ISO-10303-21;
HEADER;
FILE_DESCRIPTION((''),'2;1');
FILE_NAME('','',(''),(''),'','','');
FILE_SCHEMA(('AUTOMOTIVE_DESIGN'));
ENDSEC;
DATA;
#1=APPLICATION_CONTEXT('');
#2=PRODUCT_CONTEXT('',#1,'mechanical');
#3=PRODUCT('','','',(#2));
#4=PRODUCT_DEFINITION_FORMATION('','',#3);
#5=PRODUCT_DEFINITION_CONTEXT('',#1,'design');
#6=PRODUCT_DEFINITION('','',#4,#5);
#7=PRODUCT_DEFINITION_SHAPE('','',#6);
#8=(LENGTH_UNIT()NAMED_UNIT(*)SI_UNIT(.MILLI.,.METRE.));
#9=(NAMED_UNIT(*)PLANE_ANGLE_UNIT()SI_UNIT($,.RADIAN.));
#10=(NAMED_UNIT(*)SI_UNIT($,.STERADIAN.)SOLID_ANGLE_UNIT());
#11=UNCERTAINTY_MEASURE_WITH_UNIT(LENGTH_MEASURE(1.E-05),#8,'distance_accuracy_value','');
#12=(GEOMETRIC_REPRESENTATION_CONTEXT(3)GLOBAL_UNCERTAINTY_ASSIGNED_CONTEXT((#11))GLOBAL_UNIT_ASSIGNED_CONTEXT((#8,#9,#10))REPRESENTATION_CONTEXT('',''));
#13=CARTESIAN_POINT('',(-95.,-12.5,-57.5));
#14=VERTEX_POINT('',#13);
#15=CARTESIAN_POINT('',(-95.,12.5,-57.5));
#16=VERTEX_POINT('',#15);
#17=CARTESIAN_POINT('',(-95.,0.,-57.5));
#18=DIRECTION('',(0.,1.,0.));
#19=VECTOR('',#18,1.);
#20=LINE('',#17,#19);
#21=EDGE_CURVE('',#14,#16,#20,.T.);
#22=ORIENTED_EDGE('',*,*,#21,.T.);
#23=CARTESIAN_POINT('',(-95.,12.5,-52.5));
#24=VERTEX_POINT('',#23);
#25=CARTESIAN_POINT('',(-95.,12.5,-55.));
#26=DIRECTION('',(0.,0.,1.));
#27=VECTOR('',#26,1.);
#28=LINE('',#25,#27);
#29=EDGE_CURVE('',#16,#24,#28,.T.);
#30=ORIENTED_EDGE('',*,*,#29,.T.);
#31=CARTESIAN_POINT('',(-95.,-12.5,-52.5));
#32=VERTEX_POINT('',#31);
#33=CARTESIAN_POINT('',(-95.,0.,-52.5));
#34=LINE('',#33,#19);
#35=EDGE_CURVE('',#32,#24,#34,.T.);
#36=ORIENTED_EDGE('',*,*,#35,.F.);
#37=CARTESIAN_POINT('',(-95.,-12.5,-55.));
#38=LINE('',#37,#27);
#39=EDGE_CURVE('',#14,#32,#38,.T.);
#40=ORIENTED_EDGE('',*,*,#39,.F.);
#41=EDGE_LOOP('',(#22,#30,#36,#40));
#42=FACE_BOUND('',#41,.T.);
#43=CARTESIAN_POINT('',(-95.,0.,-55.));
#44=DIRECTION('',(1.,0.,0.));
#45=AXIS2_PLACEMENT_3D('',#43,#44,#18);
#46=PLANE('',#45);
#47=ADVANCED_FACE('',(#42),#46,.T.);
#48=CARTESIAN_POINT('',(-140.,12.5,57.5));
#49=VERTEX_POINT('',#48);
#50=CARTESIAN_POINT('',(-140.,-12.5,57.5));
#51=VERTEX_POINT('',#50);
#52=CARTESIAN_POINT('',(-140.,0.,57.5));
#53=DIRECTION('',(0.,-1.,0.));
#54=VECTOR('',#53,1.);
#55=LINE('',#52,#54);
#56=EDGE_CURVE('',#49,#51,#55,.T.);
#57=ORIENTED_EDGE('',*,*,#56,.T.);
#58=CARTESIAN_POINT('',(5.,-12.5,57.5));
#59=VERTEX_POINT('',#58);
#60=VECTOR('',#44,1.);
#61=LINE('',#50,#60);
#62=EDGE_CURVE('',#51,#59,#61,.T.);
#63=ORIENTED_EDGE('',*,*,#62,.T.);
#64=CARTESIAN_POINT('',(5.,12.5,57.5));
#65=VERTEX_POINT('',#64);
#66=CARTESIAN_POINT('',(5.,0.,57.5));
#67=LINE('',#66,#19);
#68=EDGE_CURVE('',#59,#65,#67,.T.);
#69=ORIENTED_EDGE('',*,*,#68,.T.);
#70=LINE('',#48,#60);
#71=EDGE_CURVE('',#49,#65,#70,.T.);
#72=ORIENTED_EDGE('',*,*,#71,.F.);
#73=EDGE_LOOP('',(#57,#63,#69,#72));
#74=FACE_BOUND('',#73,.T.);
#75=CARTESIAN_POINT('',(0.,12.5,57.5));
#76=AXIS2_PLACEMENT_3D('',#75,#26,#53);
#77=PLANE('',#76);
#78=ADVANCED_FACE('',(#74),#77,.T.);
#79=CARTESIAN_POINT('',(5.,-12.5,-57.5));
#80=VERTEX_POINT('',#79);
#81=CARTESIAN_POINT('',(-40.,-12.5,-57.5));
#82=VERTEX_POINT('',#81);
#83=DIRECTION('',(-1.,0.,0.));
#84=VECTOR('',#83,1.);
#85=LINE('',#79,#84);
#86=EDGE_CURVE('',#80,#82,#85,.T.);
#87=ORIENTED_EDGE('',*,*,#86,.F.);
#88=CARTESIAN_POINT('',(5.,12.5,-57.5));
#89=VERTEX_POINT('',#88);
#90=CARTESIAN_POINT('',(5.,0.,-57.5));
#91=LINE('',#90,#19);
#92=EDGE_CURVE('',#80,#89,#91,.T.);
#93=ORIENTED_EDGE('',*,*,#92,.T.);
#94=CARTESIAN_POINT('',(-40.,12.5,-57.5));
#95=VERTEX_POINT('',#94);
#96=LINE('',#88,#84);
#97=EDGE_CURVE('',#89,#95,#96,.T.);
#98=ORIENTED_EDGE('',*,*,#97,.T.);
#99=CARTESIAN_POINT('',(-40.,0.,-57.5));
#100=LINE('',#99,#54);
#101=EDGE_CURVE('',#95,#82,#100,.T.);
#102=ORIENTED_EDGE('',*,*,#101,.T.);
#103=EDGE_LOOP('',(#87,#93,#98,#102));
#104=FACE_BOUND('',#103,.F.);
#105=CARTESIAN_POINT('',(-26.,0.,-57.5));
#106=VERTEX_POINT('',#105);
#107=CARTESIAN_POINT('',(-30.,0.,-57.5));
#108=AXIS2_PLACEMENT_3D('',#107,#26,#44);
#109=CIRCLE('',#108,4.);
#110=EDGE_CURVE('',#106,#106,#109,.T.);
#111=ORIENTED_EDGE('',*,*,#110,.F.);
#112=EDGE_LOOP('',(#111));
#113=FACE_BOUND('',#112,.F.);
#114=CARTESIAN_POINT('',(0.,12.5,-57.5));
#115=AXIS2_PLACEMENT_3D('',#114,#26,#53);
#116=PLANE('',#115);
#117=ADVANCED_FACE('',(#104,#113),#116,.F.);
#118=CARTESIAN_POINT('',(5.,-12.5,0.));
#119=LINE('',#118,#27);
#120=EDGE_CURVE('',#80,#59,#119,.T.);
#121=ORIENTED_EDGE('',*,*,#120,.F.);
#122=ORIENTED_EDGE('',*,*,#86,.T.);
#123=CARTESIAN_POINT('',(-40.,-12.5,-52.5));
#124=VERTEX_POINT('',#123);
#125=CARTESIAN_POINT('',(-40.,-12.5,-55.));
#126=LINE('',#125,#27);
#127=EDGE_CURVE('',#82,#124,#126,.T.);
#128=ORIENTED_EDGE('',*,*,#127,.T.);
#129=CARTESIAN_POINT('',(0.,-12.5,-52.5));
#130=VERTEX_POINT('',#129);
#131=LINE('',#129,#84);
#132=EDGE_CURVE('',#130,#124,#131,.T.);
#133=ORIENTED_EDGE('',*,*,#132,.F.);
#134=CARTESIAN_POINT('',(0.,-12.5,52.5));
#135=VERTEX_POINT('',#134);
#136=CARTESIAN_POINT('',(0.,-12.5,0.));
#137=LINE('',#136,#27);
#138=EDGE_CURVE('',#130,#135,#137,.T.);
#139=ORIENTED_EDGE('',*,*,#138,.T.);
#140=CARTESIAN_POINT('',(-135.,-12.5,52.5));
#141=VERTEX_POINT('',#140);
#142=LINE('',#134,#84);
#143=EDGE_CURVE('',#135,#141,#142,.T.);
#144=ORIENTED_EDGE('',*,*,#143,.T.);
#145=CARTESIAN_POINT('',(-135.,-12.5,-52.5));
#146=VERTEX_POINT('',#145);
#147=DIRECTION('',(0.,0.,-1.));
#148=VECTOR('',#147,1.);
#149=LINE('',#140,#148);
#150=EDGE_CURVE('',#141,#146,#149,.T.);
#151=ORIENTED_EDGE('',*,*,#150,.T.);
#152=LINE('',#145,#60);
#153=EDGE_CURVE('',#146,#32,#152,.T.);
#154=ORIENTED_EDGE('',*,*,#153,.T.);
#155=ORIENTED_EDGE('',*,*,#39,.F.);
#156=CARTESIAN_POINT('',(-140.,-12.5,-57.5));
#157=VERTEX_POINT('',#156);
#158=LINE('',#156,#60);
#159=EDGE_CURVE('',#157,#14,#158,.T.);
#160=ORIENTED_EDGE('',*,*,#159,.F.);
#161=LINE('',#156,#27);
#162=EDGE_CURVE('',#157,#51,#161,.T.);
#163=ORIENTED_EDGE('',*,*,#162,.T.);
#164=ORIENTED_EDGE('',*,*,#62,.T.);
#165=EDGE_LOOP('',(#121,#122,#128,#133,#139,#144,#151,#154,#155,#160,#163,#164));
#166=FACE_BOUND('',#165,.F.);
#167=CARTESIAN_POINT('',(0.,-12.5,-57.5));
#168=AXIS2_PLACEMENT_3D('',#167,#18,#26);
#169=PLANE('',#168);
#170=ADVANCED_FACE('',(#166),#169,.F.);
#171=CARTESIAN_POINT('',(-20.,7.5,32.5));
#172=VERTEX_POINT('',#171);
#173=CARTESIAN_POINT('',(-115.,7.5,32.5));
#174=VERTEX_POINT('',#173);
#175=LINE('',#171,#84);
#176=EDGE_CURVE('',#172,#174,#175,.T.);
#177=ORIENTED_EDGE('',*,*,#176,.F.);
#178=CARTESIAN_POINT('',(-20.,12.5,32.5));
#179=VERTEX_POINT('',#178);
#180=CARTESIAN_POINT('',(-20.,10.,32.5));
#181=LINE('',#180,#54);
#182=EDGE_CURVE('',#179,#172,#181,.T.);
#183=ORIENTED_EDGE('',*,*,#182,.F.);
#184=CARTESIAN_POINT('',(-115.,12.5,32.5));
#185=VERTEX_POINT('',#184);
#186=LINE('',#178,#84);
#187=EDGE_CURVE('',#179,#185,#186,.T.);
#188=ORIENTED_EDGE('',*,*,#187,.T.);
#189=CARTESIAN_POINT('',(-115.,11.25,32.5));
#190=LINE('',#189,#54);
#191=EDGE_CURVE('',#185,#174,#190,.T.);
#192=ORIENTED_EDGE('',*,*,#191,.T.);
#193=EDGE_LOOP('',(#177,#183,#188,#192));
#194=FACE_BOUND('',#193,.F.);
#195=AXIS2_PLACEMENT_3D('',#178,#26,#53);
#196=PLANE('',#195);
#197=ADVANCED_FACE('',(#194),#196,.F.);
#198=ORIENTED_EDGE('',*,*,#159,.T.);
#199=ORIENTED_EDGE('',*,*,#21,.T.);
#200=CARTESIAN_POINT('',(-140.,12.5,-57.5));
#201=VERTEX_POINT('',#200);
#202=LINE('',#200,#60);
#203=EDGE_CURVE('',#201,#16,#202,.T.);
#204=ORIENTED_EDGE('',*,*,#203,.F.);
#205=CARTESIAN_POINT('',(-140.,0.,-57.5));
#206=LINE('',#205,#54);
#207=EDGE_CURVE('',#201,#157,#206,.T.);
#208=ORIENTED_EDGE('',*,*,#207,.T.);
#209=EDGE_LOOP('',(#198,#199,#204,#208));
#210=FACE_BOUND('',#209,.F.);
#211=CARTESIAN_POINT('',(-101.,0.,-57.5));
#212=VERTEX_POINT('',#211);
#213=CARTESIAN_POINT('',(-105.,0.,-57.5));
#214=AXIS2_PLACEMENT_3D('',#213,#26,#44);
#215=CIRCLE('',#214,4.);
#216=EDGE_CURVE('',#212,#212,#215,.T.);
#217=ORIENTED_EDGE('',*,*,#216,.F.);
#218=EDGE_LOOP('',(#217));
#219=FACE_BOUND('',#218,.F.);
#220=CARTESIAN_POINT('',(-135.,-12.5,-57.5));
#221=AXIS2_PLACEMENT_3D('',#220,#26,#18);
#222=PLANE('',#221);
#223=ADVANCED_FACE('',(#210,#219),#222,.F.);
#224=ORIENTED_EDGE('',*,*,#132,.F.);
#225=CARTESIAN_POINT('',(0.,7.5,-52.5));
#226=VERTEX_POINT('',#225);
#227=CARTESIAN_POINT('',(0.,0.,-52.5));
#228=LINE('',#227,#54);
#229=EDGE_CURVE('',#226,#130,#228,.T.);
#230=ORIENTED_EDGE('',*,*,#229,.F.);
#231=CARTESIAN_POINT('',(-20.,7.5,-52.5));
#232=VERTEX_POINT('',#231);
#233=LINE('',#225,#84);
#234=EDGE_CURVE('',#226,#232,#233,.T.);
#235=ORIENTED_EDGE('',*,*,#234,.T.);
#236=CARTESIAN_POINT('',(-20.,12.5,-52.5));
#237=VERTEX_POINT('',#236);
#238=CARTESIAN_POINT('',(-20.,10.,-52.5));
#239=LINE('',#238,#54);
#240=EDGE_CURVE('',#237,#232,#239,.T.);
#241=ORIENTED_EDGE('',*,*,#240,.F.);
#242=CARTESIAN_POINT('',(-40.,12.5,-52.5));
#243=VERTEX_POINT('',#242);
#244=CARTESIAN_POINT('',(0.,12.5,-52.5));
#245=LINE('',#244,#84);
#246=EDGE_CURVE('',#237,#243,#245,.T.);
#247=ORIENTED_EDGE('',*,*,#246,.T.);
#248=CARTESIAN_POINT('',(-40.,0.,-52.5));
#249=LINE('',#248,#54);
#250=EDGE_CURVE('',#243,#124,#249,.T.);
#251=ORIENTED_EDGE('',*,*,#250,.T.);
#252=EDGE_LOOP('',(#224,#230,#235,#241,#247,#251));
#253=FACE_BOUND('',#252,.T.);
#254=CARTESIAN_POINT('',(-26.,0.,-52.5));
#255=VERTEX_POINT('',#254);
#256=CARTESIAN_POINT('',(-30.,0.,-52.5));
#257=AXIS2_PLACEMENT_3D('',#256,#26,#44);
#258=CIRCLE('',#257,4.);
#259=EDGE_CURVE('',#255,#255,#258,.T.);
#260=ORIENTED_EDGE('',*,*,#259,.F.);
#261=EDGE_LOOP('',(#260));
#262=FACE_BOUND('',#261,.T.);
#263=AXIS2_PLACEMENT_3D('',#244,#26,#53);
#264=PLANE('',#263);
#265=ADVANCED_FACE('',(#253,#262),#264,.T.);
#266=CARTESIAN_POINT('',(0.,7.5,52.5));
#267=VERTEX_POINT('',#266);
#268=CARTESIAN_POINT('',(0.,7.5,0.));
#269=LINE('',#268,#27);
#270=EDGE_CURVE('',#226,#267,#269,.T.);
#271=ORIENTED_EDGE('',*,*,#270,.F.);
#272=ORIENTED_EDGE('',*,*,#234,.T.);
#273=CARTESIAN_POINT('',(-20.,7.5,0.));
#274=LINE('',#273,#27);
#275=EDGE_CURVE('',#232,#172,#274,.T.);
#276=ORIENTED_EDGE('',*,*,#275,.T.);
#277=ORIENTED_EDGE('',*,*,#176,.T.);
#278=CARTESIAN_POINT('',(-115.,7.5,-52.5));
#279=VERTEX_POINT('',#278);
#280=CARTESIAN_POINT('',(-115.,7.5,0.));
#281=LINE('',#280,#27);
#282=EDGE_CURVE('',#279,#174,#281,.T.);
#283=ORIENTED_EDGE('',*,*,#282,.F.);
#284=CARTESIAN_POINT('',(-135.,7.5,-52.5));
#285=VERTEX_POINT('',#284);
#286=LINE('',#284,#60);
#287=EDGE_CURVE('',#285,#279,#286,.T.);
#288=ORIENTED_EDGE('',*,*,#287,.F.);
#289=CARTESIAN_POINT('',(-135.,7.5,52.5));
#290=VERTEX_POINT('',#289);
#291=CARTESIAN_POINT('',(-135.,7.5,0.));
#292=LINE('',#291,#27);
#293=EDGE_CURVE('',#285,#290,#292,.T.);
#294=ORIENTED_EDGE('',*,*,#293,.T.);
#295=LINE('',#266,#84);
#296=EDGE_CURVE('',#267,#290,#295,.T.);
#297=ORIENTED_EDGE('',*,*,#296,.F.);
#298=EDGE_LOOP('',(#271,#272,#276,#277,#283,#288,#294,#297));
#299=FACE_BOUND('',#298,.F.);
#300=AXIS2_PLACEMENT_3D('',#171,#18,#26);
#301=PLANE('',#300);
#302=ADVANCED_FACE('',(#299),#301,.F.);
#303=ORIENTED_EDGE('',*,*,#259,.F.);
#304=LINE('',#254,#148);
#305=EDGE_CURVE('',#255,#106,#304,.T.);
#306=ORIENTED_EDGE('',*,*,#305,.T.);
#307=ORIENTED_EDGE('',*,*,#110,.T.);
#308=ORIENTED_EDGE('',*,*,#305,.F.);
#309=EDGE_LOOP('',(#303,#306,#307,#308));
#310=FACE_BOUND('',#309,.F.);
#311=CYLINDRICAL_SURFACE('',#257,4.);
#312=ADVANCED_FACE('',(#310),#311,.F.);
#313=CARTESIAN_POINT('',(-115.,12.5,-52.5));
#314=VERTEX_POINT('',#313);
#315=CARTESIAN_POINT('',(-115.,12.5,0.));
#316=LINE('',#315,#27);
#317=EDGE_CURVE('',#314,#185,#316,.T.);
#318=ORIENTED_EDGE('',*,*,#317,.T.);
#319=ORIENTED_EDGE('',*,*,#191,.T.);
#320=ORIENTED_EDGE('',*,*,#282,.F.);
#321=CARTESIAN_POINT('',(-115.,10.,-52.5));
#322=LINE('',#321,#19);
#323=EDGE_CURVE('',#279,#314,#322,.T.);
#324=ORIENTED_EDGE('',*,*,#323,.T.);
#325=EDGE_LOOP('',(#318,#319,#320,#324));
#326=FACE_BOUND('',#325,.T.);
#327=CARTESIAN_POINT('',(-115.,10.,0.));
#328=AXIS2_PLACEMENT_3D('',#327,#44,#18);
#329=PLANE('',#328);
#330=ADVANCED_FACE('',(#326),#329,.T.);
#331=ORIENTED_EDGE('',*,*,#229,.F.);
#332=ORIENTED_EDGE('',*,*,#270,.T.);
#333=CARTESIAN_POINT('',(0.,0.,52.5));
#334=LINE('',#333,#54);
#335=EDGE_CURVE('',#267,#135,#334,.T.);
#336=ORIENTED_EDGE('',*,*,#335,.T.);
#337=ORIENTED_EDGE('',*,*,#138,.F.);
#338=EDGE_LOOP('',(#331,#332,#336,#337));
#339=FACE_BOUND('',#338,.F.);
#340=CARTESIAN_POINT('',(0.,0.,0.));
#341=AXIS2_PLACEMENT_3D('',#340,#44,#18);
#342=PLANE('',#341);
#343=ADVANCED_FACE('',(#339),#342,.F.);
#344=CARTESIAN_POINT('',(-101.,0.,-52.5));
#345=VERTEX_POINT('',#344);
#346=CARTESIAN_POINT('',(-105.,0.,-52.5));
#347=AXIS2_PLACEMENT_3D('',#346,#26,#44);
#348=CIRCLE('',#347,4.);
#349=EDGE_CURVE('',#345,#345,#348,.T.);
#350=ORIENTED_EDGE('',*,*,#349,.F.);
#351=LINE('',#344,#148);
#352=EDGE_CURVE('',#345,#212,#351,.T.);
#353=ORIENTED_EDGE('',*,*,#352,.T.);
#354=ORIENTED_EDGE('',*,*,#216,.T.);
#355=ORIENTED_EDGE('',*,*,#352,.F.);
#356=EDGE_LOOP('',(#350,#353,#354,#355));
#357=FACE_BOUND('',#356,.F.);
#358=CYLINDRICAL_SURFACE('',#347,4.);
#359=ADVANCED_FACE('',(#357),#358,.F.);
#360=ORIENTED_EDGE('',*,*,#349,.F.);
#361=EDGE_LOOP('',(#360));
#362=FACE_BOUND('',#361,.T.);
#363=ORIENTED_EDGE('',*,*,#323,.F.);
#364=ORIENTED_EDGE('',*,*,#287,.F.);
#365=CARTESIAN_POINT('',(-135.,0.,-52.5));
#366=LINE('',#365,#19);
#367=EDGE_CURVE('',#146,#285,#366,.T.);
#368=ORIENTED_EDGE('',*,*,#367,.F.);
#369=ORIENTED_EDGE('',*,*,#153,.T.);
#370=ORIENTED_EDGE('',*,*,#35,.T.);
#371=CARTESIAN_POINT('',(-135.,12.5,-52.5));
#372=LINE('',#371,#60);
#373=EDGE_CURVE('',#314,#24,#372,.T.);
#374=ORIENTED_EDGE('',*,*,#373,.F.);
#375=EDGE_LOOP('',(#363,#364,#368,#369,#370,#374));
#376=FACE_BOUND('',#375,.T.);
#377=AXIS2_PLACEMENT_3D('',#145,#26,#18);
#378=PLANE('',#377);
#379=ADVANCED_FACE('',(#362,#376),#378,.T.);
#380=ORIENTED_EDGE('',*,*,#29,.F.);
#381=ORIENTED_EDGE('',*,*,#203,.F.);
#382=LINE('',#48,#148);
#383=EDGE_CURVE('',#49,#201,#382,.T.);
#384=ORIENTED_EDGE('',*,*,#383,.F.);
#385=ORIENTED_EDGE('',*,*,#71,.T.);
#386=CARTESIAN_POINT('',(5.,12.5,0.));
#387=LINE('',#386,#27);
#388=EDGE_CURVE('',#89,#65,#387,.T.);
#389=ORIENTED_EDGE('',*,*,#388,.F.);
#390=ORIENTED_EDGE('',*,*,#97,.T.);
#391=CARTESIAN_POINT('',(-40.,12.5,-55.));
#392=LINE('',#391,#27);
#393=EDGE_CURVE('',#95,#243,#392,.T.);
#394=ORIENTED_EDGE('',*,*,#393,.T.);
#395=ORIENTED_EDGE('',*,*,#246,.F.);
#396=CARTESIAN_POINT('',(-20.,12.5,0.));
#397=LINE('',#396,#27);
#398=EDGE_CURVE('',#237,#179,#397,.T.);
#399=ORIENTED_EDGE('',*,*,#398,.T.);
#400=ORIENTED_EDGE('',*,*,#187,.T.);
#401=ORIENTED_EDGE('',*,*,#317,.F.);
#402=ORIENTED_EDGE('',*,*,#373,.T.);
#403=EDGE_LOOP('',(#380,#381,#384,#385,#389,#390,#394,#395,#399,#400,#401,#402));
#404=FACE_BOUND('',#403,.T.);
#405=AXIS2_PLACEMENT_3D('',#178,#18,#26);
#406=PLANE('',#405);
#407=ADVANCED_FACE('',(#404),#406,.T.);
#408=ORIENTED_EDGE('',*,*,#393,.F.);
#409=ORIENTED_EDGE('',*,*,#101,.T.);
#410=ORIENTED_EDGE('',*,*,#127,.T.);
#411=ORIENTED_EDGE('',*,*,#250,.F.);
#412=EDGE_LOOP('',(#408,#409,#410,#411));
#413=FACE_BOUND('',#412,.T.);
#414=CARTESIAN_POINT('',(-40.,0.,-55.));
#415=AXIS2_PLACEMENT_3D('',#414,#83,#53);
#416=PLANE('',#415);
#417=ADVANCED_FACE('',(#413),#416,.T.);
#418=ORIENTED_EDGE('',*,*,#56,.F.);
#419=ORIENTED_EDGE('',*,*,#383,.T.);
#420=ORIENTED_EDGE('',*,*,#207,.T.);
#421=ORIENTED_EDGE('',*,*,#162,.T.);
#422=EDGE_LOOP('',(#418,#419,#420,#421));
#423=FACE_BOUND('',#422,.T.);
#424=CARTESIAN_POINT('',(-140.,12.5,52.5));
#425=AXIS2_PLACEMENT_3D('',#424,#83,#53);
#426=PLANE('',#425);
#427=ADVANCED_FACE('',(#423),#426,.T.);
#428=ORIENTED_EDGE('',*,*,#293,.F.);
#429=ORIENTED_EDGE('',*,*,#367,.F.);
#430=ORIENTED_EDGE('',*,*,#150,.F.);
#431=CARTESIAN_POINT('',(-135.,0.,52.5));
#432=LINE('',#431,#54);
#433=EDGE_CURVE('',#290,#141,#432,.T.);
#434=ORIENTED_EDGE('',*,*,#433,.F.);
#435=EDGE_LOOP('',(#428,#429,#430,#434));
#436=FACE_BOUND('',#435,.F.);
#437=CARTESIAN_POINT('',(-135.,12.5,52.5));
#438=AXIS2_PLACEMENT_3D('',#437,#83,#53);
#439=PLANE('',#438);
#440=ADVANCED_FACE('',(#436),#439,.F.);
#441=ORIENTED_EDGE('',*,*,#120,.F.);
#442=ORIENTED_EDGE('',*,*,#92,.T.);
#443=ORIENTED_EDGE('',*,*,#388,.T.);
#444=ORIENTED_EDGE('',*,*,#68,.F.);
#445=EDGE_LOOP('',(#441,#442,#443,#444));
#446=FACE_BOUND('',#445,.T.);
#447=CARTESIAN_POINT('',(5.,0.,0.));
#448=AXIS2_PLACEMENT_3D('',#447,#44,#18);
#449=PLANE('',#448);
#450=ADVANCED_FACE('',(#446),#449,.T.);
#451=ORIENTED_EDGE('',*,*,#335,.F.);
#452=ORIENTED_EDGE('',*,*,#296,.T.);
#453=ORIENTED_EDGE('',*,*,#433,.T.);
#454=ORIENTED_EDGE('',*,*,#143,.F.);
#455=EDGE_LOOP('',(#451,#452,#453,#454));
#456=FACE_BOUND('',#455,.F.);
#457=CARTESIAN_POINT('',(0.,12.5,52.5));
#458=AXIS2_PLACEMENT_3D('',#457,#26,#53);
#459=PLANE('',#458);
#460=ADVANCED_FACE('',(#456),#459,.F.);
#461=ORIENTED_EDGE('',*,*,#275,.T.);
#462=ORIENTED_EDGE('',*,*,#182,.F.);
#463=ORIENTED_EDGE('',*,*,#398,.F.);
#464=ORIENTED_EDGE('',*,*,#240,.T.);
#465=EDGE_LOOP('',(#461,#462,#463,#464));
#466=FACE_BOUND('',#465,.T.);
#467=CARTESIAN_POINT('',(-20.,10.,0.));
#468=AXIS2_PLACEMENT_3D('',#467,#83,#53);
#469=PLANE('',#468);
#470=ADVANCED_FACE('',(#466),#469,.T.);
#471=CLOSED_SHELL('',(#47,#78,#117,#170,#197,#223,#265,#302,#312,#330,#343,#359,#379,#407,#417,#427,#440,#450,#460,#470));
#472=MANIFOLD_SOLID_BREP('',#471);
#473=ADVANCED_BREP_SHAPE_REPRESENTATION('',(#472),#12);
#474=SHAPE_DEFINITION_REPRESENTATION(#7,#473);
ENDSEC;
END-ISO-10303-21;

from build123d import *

# Parameters (mm, degrees)
F0_W      = 25
F0_H      = 115
F1_DEPTH  = 5
F2_W      = 25
F2_H      = 5
F3_DEPTH  = 140
F4_W      = 5
F4_H      = 25
F5_DEPTH  = 110
F6_W      = 25
F6_H      = 5
F7_DEPTH  = 40
F8_W      = 25
F8_H      = 5
F9_DEPTH  = 40
F10_W     = 5
F10_H     = 105
F11_DEPTH = 20
F12_W     = 5
F12_H     = 105
F13_DEPTH = 20
F14_W     = 5
F14_H     = 20
F15_DEPTH = 97.6
F17_R     = 4
F18_DEPTH = 25
F19_R     = 4
F20_DEPTH = 15
F21_DEPTH = 25
F22_DEPTH = 25


with BuildPart() as f1:
    # F0 (on Right) → F1 (new body)
    with BuildSketch(Plane.YZ):
        Rectangle(F0_W, F0_H)
    extrude(amount=F1_DEPTH)

    # F2 (on face) → F3 (join)
    with BuildSketch(Plane(origin=(0, 0, 0), x_dir=(0, -1, 0), z_dir=(-1, 0, 0))):
        with Locations((0, 55)):
            Rectangle(F2_W, F2_H)
    extrude(amount=F3_DEPTH)

    # F4 (on face) → F5 (join)
    with BuildSketch(Plane(origin=(0, 0, 52.5), x_dir=(1, 0, 0), z_dir=(0, 0, -1))):
        with Locations((-137.5, 0)):
            Rectangle(F4_W, F4_H)
    extrude(amount=F5_DEPTH)

    # F6 (on face) → F7 (join)
    with BuildSketch(Plane.YZ.offset(-135)):
        with Locations((0, -55)):
            Rectangle(F6_W, F6_H)
    extrude(amount=F7_DEPTH)

    # F8 (on face) → F9 (join)
    with BuildSketch(Plane(origin=(0, 0, 0), x_dir=(0, -1, 0), z_dir=(-1, 0, 0))):
        with Locations((0, -55)):
            Rectangle(F8_W, F8_H)
    extrude(amount=F9_DEPTH)

    # F10 (on face) → F11 (join)
    with BuildSketch(Plane.YZ.offset(-135)):
        with Locations((10, 0)):
            Rectangle(F10_W, F10_H)
    extrude(amount=F11_DEPTH)

    # F12 (on face) → F13 (join)
    with BuildSketch(Plane(origin=(0, 0, 0), x_dir=(0, -1, 0), z_dir=(-1, 0, 0))):
        with Locations((-10, 0)):
            Rectangle(F12_W, F12_H)
    extrude(amount=F13_DEPTH)

    # F14 (on face) → F15 (join)
    with BuildSketch(Plane(origin=(-20, 0, 0), x_dir=(0, -1, 0), z_dir=(-1, 0, 0))):
        with Locations((-10, 42.5)):
            Rectangle(F14_W, F14_H)
    extrude(amount=F15_DEPTH)

    # F17 (on face) → F18 (cut)
    with BuildSketch(Plane.XY.offset(-52.5)):
        with Locations((-105, 0)):
            Circle(F17_R)
    extrude(amount=-F18_DEPTH, mode=Mode.SUBTRACT)

    # F19 (on face) → F20 (cut)
    with BuildSketch(Plane.XY.offset(-52.5)):
        with Locations((-30, 0)):
            Circle(F19_R)
    extrude(amount=-F20_DEPTH, mode=Mode.SUBTRACT)

    # F17 (on face) → F21 (cut)
    with BuildSketch(Plane.XY.offset(-52.5)):
        with Locations((-105, 0)):
            Circle(F17_R)
    extrude(amount=-F21_DEPTH, mode=Mode.SUBTRACT)

    # F19 (on face) → F22 (cut)
    with BuildSketch(Plane.XY.offset(-52.5)):
        with Locations((-30, 0)):
            Circle(F19_R)
    extrude(amount=-F22_DEPTH, mode=Mode.SUBTRACT)


solid = f1.part
